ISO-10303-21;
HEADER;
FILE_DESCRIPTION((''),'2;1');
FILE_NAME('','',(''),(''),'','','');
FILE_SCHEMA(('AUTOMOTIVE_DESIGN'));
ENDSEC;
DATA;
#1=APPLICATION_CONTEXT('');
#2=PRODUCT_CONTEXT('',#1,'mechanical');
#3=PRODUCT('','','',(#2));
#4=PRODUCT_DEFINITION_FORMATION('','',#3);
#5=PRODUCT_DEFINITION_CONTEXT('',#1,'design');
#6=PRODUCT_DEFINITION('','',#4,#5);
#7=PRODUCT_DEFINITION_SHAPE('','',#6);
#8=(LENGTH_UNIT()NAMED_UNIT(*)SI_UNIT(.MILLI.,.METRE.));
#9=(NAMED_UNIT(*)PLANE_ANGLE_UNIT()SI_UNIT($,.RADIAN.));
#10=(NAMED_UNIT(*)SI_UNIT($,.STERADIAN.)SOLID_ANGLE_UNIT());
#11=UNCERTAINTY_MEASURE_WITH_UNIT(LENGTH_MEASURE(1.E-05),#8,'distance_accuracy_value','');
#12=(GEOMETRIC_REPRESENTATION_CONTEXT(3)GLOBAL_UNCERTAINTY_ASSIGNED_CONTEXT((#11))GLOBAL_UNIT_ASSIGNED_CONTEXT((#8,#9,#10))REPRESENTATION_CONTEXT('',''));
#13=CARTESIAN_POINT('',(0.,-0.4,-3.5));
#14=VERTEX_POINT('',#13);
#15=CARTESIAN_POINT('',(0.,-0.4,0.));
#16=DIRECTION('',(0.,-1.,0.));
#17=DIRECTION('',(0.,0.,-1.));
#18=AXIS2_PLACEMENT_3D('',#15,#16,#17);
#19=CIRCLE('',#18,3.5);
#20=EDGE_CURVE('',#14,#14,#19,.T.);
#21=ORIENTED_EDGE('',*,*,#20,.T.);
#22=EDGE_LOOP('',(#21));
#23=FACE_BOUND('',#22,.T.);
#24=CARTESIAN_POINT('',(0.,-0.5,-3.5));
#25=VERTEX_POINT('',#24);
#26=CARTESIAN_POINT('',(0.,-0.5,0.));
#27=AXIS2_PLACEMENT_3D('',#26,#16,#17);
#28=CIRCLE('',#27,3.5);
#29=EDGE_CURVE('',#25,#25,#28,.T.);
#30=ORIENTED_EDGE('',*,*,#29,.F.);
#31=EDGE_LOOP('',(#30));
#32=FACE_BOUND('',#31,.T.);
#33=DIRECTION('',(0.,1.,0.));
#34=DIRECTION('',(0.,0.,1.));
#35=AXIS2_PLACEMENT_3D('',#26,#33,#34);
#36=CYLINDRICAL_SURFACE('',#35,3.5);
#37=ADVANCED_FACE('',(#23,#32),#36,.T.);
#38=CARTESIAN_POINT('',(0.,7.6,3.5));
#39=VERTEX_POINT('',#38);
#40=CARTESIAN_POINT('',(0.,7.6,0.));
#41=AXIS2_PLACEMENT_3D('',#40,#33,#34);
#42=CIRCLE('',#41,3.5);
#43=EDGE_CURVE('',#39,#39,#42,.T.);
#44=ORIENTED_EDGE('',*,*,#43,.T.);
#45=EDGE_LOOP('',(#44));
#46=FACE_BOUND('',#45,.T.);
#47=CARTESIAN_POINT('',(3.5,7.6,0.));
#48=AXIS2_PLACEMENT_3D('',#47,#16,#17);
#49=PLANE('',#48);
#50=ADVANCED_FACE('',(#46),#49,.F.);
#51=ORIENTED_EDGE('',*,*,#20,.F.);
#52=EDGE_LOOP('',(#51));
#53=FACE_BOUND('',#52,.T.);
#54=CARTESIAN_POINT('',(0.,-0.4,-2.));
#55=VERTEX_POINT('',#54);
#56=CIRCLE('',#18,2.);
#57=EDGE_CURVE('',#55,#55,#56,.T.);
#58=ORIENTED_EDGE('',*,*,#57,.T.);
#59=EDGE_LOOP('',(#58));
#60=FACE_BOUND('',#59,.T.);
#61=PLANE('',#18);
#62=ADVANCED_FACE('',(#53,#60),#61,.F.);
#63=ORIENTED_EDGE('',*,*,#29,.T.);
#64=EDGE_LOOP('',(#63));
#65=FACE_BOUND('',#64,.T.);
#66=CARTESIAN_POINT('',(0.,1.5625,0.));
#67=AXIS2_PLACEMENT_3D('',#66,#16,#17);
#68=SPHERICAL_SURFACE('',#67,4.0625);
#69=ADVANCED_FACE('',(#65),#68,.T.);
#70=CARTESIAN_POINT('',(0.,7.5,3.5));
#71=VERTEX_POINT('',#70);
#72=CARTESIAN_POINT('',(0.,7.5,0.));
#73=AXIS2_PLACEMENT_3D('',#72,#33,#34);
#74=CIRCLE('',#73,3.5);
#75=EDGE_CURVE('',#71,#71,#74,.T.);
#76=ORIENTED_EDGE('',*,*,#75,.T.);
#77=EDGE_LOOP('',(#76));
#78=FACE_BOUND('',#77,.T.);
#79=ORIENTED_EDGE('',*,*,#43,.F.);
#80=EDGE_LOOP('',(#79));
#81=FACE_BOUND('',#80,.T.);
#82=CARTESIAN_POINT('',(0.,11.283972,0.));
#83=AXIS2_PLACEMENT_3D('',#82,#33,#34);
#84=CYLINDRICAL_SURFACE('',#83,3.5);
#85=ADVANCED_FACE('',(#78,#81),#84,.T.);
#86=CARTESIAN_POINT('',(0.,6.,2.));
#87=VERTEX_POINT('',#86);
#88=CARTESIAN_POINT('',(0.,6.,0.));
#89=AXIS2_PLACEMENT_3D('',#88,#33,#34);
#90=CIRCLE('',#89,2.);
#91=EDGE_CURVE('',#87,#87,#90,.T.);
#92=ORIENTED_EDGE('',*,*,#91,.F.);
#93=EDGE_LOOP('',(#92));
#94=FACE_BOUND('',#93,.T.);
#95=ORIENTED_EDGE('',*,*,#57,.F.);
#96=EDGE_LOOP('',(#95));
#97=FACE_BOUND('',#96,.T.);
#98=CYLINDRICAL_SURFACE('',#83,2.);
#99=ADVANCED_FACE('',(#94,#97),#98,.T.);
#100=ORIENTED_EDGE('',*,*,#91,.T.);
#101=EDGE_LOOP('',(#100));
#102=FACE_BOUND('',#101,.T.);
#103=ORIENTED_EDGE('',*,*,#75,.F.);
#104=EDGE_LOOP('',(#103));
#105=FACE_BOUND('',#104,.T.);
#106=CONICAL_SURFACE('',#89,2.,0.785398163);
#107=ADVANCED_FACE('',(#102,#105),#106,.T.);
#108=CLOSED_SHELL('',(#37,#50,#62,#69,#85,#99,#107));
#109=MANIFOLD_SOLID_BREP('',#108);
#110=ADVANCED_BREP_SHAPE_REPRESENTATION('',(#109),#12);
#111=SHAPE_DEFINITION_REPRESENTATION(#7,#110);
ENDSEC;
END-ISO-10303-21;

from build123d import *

# Parameters (mm, degrees)
EXTRUDE_1_DEPTH      = 0.4
EXTRUDE_1_DEPTH_BACK = 2
SKETCH_2_R           = 2
SKETCH_3_R           = 3.5
EXTRUDE_2_DEPTH      = 0.1
DOME_1_FACE_RADIUS   = 3.5
DOME_1_HEIGHT        = 2


with BuildPart() as part:
    # Эскиз1 → Revolve 344 (revolve)
    with BuildSketch(Plane.XY, mode=Mode.PRIVATE) as revolve_344_sk:
        with BuildLine():
            Line((0, 0), (1.6, 0))
            ThreePointArc((1.6, 0), (1.882842712, 0.117157288), (2, 0.4))
            Line((2, 0.4), (2, 6))
            Line((2, 6), (3.5, 7.5))
            Line((3.5, 7.5), (3.5, 7.6))
            Line((3.5, 7.6), (0, 7.6))
            Line((0, 7.6), (0, 0))
        make_face()
    revolve(revolve_344_sk.sketch.rotate(Axis((0, 11.283972125, 0), (0, -1, 0)), 90), axis=Axis((0, 11.283972125, 0), (0, -1, 0)))

    # Эскиз2 → Вытянуть1 (add, two sides: drawn at the far end of the back side and taken through both)
    with BuildSketch(Plane.XZ.offset(-EXTRUDE_1_DEPTH_BACK)):
        with Locations(Location((0, 0, 0), (0, 0, 90))):
            Circle(SKETCH_2_R)
    extrude(amount=EXTRUDE_1_DEPTH + EXTRUDE_1_DEPTH_BACK)

    # Эскиз3 → Вытянуть2 (add)
    with BuildSketch(Plane.XZ.offset(0.4)):
        with Locations(Location((0, 0, 0), (0, 0, 90))):
            Circle(SKETCH_3_R)
    extrude(amount=EXTRUDE_2_DEPTH)

    # Купол1: a dome of height H over a round flat face of radius A is a cap of a sphere of radius (A * A + H * H) / (2 * H)
    dome_1_r = (DOME_1_FACE_RADIUS * DOME_1_FACE_RADIUS + DOME_1_HEIGHT * DOME_1_HEIGHT) / (2 * DOME_1_HEIGHT)
    dome_1_base = Plane((0, -0.5, 0), z_dir=(0, -1, 0))
    with Locations(dome_1_base.offset(DOME_1_HEIGHT - dome_1_r)):
        dome_1_ball = Sphere(dome_1_r, mode=Mode.PRIVATE)
    add(split(dome_1_ball, bisect_by=dome_1_base, keep=Keep.TOP, mode=Mode.PRIVATE))


solid = part.part
